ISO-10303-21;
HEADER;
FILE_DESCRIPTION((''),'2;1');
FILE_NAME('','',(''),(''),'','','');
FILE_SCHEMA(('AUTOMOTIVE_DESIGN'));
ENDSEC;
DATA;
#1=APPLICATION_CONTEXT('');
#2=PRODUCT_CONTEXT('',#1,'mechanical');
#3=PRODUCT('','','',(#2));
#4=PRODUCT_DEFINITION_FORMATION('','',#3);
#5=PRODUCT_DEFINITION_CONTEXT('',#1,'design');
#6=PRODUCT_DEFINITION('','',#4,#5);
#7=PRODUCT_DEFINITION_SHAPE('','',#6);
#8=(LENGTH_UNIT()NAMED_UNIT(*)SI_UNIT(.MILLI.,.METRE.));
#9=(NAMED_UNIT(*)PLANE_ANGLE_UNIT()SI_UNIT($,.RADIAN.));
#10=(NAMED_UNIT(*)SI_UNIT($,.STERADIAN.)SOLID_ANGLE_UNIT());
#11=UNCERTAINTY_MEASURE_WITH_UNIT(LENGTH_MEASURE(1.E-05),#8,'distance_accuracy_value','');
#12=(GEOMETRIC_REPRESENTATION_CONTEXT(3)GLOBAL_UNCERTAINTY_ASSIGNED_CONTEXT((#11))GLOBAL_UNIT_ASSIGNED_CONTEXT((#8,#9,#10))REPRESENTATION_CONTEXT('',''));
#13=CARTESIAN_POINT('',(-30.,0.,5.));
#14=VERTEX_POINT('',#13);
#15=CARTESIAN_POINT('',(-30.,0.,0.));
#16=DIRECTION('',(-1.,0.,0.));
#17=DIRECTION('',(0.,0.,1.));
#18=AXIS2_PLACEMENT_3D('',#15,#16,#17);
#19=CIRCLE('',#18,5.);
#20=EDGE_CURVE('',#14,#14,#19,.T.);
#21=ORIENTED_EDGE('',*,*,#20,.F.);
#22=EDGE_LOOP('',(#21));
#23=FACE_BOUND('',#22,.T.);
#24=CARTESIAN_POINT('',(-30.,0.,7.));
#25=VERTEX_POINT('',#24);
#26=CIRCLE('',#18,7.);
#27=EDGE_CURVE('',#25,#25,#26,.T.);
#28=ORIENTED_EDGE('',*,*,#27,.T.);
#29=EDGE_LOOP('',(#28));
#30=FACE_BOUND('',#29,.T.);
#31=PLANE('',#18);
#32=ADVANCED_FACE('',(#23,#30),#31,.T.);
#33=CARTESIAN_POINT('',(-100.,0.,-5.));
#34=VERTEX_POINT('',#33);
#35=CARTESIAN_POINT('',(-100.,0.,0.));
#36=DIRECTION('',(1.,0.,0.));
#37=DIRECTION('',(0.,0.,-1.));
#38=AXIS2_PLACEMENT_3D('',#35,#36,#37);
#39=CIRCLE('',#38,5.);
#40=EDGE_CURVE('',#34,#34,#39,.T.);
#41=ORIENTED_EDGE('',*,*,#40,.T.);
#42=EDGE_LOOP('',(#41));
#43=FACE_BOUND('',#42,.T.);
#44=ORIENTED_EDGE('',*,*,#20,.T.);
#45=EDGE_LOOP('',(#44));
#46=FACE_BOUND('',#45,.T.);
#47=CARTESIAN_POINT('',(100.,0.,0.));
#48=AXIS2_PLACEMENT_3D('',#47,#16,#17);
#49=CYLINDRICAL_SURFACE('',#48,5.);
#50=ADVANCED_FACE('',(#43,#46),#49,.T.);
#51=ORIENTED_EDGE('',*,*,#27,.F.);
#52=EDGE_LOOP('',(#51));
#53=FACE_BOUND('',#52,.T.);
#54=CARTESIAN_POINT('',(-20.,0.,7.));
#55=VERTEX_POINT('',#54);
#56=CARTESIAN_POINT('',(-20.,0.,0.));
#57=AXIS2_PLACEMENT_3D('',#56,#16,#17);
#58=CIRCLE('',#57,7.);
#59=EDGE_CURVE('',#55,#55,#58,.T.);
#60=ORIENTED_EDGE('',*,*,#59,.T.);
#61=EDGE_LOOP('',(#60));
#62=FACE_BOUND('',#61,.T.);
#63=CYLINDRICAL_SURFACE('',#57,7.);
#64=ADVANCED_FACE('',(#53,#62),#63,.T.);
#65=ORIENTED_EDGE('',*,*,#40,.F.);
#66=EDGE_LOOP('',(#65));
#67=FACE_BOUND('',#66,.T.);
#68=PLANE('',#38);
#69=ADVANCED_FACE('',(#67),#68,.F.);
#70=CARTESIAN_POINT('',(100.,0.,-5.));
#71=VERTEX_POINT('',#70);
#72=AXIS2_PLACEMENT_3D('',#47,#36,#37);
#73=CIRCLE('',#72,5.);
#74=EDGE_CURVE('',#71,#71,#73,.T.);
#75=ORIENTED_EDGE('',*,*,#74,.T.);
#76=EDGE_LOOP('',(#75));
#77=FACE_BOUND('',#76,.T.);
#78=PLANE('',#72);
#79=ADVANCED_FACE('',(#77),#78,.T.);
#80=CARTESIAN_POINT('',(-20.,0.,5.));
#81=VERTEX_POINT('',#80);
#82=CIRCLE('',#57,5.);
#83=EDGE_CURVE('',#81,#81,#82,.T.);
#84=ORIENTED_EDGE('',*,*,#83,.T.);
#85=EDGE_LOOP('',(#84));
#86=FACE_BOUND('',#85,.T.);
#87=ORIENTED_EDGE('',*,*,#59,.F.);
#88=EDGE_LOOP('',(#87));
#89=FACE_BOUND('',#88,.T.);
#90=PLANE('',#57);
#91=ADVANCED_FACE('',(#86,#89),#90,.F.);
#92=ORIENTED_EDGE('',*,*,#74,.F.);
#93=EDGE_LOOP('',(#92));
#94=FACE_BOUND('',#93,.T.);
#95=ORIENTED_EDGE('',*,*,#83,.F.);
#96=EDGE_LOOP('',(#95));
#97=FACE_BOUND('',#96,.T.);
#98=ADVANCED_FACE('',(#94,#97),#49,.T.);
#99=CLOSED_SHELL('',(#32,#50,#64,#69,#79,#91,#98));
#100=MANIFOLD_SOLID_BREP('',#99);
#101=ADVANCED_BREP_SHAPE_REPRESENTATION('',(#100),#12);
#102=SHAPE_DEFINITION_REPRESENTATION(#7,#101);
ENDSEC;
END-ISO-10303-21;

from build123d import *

# Parameters (mm, degrees)
SKETCH1_R           = 5
BOSS_EXTRUDE1_DEPTH = 100
BOSS_EXTRUDE2_START = -70
SKETCH2_R           = 7
BOSS_EXTRUDE2_DEPTH = 10


with BuildPart() as part:
    # Sketch1 → Boss-Extrude1 (new body, symmetric)
    with BuildSketch(Plane(origin=(0, 0, 0), x_dir=(0, 0, -1), z_dir=(1, 0, 0))):
        Circle(SKETCH1_R)
    extrude(amount=BOSS_EXTRUDE1_DEPTH, both=True)

    # Sketch2 → Boss-Extrude2 (add)
    with BuildSketch(Plane.ZY.offset(100).offset(BOSS_EXTRUDE2_START)):
        Circle(SKETCH2_R)
    extrude(amount=-BOSS_EXTRUDE2_DEPTH)


solid = part.part
